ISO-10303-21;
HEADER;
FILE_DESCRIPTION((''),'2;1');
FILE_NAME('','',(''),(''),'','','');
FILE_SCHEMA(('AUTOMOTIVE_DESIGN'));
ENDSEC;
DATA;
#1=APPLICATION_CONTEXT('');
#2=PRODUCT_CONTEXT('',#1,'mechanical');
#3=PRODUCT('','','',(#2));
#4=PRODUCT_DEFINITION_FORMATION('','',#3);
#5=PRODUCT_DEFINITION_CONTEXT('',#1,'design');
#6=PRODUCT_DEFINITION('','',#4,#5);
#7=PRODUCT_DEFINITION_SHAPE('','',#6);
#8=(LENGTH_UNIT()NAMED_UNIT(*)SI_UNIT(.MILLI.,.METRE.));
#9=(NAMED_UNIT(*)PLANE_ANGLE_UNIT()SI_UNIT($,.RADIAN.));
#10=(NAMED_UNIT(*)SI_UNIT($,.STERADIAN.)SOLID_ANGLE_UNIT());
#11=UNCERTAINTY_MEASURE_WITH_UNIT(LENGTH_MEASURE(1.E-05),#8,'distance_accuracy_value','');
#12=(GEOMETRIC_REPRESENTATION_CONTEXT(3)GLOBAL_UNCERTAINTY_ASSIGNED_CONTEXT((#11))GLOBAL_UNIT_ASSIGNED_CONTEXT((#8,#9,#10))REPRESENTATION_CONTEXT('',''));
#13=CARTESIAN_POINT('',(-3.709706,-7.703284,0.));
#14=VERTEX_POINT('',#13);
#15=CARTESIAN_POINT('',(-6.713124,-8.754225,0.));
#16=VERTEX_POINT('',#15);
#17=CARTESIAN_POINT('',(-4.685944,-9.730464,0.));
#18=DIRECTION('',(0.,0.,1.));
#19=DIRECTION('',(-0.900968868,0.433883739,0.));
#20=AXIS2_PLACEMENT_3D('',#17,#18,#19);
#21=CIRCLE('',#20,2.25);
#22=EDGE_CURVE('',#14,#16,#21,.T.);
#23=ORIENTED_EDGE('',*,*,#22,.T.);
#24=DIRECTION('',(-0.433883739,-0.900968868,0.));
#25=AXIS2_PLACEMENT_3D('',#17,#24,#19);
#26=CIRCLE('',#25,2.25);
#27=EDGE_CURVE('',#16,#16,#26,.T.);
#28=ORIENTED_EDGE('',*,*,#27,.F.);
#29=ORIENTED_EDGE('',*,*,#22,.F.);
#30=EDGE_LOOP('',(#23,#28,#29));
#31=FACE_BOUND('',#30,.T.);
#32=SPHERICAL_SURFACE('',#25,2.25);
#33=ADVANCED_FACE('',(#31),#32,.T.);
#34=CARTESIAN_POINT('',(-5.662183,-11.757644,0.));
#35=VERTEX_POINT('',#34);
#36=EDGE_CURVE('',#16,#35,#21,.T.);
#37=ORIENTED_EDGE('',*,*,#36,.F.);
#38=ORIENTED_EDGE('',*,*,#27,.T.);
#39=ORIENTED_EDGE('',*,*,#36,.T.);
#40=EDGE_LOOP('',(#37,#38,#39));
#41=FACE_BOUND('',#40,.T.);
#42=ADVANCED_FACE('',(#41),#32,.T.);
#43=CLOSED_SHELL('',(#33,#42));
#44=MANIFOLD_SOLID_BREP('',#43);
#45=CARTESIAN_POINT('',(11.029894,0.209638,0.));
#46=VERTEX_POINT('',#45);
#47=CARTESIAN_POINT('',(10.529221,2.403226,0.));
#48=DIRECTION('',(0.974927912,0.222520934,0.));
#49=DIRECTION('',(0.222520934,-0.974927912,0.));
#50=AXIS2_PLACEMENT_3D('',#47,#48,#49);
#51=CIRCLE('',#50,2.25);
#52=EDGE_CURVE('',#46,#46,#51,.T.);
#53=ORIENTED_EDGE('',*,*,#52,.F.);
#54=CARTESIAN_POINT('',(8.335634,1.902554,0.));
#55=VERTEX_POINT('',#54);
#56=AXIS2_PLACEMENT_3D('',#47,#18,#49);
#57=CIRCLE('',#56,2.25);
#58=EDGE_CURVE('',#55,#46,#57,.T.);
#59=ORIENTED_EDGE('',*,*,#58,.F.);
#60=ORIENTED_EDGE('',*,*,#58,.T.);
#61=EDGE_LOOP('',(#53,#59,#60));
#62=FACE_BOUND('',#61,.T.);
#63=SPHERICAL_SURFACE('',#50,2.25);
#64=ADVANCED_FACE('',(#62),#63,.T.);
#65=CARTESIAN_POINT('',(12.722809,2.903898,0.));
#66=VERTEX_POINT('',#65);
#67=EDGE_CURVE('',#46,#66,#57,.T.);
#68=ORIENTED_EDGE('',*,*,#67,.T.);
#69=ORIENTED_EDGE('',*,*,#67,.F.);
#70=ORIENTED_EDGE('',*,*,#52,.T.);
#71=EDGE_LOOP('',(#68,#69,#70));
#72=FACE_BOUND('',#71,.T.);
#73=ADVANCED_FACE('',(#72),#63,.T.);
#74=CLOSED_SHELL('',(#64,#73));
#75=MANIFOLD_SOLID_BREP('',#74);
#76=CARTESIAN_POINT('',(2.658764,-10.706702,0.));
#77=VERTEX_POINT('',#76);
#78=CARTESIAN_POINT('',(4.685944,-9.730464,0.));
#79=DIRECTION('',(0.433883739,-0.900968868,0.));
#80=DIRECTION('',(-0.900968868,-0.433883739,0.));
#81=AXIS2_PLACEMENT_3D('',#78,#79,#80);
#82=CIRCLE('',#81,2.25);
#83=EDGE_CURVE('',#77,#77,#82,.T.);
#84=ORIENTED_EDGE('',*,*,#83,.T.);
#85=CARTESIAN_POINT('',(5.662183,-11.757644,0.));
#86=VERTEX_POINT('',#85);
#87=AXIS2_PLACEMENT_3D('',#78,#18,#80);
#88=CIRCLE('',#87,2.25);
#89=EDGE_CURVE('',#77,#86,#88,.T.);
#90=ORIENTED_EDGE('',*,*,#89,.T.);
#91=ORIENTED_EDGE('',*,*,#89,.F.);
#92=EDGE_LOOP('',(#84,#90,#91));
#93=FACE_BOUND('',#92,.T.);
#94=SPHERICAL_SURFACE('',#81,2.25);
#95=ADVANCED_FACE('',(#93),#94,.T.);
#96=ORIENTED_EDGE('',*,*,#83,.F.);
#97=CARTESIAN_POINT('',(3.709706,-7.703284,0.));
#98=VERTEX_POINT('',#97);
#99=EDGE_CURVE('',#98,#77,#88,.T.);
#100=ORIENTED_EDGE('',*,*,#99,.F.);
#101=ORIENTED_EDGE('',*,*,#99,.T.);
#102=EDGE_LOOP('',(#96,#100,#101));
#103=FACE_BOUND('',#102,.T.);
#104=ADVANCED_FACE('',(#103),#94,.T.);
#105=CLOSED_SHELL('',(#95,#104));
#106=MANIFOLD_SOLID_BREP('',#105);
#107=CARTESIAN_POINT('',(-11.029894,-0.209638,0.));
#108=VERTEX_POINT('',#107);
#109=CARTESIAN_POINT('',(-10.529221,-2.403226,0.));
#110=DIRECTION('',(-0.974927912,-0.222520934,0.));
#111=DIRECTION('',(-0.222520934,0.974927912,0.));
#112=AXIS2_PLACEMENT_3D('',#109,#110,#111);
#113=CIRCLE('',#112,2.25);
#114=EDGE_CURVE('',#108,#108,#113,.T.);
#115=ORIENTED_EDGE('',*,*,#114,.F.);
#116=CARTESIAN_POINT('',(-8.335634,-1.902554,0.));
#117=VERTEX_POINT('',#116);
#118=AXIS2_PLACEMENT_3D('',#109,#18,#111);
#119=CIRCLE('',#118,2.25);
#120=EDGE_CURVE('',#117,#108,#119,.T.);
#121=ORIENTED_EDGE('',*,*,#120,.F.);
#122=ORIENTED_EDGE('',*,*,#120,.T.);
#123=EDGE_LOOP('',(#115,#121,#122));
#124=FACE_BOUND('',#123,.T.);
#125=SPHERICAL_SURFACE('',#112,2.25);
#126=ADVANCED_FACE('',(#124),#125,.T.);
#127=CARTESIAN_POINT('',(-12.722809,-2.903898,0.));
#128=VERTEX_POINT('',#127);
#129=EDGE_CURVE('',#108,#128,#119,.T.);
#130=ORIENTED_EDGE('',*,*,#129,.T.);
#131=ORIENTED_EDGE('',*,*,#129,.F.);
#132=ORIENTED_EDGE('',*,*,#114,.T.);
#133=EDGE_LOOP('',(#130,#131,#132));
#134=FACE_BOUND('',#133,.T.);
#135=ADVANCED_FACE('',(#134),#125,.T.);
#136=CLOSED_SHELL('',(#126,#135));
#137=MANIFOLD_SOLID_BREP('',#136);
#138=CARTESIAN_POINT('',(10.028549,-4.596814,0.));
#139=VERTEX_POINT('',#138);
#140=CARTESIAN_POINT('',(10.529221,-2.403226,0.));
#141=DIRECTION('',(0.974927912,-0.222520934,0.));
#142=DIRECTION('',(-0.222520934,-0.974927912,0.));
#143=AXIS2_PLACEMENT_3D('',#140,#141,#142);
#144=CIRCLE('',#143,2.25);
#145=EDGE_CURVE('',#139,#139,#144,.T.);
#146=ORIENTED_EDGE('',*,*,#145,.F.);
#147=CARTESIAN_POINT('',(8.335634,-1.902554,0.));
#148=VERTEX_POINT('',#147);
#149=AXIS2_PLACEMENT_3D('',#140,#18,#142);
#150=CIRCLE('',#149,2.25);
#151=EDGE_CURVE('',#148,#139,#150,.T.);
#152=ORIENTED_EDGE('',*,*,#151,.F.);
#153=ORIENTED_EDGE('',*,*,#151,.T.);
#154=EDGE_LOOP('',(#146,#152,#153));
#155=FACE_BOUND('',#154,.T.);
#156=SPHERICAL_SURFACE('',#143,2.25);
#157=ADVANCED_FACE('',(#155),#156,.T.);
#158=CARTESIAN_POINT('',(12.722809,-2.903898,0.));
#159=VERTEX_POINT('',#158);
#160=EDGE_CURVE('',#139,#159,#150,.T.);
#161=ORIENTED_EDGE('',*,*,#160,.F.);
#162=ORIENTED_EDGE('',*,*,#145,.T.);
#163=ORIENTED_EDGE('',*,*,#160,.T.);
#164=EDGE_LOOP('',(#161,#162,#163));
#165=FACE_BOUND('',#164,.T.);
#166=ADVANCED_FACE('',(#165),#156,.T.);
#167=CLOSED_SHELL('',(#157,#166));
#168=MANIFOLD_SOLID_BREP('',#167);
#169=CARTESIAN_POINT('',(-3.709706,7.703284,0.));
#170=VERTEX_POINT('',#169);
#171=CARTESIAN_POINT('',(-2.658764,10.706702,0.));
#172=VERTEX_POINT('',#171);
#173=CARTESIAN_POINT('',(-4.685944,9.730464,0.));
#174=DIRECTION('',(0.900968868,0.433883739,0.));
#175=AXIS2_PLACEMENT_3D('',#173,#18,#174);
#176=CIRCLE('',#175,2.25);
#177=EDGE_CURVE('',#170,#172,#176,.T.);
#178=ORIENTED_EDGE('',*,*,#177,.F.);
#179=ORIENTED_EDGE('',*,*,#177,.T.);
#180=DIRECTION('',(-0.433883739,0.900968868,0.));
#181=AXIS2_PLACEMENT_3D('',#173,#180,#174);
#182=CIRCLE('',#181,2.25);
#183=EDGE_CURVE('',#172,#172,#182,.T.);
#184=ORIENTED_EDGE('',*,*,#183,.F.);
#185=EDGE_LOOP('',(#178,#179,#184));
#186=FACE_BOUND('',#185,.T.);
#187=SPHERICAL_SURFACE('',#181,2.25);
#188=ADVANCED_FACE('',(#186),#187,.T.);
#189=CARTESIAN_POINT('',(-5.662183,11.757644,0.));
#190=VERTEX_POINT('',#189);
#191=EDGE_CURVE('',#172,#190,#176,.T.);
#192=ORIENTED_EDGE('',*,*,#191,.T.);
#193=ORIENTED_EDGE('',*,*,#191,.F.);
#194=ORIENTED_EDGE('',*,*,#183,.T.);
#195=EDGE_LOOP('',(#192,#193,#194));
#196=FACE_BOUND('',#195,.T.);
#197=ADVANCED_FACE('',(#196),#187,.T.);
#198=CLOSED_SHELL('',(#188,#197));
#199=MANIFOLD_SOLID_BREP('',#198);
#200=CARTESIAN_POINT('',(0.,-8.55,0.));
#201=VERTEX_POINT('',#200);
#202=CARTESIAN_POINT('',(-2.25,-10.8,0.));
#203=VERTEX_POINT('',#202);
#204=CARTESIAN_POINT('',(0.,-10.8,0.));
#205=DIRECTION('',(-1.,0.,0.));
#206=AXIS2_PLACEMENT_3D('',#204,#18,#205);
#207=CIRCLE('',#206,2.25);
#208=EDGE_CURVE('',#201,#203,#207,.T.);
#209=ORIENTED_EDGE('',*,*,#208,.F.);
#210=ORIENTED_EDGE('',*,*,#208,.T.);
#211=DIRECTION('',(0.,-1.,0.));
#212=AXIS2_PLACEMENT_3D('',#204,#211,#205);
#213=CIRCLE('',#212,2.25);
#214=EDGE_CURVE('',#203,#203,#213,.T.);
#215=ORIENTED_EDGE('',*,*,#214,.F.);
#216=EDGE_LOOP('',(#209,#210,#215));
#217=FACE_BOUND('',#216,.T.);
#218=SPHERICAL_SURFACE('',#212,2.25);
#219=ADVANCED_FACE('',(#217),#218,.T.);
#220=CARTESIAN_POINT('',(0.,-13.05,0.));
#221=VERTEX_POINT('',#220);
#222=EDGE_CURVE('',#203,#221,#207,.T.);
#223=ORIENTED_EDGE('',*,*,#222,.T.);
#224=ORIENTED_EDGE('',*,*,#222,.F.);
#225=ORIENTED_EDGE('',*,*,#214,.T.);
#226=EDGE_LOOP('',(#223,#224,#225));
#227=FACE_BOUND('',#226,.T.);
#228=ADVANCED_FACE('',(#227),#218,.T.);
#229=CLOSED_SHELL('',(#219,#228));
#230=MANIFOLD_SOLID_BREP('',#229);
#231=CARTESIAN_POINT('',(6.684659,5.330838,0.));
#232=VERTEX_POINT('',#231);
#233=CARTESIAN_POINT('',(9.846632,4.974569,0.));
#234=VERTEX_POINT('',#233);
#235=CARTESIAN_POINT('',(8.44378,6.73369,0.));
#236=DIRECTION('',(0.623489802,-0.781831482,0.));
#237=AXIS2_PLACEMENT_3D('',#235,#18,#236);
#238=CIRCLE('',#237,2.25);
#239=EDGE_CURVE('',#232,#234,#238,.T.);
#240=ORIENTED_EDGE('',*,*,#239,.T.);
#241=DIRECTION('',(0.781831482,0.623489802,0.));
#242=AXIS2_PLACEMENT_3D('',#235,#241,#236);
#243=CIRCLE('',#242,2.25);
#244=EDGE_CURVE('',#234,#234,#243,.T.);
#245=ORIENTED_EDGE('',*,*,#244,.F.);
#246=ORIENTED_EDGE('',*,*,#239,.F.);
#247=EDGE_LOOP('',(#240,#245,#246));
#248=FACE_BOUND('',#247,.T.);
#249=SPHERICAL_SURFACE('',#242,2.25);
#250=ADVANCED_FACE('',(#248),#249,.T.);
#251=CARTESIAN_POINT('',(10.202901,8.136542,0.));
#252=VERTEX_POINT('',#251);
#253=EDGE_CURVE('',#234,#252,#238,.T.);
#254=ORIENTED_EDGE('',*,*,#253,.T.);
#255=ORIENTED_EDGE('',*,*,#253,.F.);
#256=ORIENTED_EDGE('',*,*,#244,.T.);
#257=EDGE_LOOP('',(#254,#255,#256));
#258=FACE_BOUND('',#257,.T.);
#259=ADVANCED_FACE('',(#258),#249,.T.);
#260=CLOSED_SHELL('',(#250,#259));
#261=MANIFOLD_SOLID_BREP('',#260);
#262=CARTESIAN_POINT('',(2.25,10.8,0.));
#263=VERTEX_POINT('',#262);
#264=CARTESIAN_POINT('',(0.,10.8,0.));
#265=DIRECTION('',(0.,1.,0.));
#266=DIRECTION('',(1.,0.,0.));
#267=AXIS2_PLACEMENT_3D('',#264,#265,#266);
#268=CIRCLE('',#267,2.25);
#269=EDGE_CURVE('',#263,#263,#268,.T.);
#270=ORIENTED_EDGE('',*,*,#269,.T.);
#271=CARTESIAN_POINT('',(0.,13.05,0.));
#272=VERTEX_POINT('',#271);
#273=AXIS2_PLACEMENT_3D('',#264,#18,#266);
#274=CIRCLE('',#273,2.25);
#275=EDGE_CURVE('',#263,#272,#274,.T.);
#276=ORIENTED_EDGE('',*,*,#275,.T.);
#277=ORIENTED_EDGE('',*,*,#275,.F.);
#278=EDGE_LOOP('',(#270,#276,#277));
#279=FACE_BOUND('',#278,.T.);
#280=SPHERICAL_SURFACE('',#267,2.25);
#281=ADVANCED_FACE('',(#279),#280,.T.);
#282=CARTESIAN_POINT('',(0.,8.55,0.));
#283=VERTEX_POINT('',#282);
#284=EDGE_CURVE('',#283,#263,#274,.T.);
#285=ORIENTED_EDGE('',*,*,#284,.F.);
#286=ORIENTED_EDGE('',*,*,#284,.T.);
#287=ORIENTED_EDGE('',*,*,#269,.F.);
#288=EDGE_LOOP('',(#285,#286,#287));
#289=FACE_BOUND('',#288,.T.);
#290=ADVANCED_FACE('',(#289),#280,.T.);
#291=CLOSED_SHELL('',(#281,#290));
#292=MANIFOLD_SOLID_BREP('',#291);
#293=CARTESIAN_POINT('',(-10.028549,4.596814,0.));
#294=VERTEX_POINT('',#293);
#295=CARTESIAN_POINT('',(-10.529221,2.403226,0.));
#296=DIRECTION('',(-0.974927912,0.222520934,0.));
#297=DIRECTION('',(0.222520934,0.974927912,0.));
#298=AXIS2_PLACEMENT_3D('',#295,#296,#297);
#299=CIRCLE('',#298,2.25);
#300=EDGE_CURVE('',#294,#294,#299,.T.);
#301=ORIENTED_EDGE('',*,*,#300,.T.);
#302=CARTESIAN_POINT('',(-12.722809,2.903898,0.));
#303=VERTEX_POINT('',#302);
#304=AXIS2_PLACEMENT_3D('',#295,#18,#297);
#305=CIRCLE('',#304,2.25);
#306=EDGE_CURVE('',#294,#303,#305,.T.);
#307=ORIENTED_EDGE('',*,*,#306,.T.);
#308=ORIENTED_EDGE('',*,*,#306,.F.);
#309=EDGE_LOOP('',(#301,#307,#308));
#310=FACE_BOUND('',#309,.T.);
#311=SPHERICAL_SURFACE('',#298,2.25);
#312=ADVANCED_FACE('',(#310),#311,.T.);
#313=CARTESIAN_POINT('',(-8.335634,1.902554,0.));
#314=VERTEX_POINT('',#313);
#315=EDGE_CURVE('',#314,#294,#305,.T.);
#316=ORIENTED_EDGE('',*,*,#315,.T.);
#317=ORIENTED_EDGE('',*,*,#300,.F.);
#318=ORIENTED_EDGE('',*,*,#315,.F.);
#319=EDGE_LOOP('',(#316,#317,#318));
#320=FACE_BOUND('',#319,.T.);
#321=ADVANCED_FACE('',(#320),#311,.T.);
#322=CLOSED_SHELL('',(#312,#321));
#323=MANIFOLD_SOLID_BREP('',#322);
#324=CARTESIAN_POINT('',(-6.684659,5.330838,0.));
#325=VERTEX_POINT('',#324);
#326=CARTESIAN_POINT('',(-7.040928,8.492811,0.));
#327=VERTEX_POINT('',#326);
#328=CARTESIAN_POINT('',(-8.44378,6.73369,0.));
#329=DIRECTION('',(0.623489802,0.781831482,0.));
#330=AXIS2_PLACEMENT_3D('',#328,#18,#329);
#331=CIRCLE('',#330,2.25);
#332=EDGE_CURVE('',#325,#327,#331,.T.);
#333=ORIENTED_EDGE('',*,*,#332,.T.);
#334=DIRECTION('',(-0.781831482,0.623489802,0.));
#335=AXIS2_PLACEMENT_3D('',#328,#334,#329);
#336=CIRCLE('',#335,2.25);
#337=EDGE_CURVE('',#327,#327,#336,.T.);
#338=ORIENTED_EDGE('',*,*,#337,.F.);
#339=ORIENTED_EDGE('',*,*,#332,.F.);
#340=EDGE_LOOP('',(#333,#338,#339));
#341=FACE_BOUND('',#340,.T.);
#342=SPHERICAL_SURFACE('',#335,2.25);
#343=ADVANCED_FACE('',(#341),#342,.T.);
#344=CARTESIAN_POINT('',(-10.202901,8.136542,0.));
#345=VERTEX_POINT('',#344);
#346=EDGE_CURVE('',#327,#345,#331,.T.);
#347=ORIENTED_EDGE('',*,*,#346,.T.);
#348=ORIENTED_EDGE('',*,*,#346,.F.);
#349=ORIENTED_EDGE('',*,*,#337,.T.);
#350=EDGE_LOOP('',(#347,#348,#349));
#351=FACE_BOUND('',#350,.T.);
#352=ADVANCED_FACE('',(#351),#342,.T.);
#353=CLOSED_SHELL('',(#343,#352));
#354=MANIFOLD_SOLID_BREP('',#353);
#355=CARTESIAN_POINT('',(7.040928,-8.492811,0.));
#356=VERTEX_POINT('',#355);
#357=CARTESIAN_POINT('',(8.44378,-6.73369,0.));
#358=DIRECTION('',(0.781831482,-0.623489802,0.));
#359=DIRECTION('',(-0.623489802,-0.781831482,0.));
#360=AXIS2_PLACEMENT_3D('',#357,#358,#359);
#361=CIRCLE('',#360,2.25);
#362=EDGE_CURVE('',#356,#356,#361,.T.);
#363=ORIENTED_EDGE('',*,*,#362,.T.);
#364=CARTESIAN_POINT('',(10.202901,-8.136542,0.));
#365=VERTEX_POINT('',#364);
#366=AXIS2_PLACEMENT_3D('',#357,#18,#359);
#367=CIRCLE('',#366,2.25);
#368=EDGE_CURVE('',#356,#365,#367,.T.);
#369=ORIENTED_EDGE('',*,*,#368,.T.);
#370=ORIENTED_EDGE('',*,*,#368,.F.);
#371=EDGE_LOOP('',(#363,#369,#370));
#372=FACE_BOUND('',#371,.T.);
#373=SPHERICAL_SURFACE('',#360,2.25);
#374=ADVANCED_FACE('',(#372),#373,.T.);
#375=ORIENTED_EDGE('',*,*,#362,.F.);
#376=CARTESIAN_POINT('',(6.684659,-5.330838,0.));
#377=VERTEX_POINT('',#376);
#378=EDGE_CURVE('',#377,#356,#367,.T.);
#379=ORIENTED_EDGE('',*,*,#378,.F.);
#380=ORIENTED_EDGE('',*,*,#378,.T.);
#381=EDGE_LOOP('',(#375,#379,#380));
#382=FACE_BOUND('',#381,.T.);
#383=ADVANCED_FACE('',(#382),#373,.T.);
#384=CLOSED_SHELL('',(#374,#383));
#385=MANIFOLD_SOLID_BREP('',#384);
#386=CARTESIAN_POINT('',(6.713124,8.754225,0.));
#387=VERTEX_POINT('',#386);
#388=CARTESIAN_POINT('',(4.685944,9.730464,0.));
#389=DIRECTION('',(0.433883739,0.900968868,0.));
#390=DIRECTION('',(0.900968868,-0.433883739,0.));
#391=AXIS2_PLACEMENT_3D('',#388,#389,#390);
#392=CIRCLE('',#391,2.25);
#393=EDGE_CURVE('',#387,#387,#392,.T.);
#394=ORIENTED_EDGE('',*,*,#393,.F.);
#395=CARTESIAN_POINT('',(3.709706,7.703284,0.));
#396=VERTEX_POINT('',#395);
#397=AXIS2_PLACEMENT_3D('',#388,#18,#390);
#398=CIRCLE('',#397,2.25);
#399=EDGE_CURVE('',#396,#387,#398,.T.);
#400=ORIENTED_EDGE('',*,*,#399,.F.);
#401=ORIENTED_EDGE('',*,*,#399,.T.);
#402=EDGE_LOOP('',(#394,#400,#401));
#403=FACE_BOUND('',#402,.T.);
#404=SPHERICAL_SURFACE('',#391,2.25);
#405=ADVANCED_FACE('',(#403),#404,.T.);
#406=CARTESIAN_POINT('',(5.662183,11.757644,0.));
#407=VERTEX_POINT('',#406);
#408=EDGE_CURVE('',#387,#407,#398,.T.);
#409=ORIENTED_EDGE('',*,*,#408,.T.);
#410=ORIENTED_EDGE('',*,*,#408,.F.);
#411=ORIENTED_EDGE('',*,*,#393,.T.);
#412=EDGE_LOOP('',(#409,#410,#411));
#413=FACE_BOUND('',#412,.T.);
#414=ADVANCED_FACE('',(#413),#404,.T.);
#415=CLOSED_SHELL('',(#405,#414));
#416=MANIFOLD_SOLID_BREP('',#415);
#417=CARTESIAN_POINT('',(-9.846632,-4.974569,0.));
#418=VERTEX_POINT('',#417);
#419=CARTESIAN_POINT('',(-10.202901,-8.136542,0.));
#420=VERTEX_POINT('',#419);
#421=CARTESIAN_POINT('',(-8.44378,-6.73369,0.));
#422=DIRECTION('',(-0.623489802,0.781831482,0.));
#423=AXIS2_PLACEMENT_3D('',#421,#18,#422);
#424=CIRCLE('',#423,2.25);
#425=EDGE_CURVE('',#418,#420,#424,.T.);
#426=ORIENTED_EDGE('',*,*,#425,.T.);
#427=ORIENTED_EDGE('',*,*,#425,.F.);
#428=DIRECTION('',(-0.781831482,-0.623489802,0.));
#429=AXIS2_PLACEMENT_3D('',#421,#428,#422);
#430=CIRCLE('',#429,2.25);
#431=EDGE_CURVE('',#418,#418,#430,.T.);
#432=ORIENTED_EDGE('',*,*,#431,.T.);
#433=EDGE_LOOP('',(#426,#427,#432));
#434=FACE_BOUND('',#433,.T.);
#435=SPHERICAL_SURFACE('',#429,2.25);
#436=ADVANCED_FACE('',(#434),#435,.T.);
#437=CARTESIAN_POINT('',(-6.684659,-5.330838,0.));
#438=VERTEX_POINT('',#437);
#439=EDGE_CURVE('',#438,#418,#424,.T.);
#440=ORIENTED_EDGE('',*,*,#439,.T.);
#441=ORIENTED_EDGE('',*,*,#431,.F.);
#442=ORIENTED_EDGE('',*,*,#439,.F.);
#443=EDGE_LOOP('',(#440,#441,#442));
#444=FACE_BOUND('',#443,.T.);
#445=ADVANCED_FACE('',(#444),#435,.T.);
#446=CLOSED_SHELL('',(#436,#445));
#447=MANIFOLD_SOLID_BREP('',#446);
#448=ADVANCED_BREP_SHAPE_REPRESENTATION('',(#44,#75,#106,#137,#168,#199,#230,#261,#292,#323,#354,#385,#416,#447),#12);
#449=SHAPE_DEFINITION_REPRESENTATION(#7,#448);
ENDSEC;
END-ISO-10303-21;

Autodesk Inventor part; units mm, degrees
ref_plane "YZ Plane" through (0, 0, 0) normal (1, 0, 0) x (0, 1, 0)
ref_plane "XZ Plane" through (0, 0, 0) normal (0, 1, 0) x (-1, 0, 0)
ref_plane "XY Plane" through (0, 0, 0) normal (0, 0, 1) x (1, 0, 0)
sketch "Sketch1" plane through (0, 0, 0) normal (0, 0, 1) x (1, 0, 0)
  circle A0 centre (0, 0) radius 8.475
  circle A1 centre (0, 0) radius 13.125 projected
  line L0 (0, 8.475) -> (0, 10.8) construction
  line L1 (0, 0) -> (0, 8.475)
  circle A2 centre (0, 10.8) radius 2.25
  line L2 (0, 8.55) -> (0, 13.05)
  dimension "d0" = 2.325
  dimension "d1" = 4.5
revolve "Revolution1" add sketch "Sketch1" angle 360 about axis through (0, 8.55, 0) along (0, 1, 0) picked at (0.6345, 11.3676) contours A2 L2
pattern_circular "Circular Pattern1" count 14 over 360 about axis through (0, 0, -10) along (0, 0, 1) of "Revolution1"
properties part number "Balls"
